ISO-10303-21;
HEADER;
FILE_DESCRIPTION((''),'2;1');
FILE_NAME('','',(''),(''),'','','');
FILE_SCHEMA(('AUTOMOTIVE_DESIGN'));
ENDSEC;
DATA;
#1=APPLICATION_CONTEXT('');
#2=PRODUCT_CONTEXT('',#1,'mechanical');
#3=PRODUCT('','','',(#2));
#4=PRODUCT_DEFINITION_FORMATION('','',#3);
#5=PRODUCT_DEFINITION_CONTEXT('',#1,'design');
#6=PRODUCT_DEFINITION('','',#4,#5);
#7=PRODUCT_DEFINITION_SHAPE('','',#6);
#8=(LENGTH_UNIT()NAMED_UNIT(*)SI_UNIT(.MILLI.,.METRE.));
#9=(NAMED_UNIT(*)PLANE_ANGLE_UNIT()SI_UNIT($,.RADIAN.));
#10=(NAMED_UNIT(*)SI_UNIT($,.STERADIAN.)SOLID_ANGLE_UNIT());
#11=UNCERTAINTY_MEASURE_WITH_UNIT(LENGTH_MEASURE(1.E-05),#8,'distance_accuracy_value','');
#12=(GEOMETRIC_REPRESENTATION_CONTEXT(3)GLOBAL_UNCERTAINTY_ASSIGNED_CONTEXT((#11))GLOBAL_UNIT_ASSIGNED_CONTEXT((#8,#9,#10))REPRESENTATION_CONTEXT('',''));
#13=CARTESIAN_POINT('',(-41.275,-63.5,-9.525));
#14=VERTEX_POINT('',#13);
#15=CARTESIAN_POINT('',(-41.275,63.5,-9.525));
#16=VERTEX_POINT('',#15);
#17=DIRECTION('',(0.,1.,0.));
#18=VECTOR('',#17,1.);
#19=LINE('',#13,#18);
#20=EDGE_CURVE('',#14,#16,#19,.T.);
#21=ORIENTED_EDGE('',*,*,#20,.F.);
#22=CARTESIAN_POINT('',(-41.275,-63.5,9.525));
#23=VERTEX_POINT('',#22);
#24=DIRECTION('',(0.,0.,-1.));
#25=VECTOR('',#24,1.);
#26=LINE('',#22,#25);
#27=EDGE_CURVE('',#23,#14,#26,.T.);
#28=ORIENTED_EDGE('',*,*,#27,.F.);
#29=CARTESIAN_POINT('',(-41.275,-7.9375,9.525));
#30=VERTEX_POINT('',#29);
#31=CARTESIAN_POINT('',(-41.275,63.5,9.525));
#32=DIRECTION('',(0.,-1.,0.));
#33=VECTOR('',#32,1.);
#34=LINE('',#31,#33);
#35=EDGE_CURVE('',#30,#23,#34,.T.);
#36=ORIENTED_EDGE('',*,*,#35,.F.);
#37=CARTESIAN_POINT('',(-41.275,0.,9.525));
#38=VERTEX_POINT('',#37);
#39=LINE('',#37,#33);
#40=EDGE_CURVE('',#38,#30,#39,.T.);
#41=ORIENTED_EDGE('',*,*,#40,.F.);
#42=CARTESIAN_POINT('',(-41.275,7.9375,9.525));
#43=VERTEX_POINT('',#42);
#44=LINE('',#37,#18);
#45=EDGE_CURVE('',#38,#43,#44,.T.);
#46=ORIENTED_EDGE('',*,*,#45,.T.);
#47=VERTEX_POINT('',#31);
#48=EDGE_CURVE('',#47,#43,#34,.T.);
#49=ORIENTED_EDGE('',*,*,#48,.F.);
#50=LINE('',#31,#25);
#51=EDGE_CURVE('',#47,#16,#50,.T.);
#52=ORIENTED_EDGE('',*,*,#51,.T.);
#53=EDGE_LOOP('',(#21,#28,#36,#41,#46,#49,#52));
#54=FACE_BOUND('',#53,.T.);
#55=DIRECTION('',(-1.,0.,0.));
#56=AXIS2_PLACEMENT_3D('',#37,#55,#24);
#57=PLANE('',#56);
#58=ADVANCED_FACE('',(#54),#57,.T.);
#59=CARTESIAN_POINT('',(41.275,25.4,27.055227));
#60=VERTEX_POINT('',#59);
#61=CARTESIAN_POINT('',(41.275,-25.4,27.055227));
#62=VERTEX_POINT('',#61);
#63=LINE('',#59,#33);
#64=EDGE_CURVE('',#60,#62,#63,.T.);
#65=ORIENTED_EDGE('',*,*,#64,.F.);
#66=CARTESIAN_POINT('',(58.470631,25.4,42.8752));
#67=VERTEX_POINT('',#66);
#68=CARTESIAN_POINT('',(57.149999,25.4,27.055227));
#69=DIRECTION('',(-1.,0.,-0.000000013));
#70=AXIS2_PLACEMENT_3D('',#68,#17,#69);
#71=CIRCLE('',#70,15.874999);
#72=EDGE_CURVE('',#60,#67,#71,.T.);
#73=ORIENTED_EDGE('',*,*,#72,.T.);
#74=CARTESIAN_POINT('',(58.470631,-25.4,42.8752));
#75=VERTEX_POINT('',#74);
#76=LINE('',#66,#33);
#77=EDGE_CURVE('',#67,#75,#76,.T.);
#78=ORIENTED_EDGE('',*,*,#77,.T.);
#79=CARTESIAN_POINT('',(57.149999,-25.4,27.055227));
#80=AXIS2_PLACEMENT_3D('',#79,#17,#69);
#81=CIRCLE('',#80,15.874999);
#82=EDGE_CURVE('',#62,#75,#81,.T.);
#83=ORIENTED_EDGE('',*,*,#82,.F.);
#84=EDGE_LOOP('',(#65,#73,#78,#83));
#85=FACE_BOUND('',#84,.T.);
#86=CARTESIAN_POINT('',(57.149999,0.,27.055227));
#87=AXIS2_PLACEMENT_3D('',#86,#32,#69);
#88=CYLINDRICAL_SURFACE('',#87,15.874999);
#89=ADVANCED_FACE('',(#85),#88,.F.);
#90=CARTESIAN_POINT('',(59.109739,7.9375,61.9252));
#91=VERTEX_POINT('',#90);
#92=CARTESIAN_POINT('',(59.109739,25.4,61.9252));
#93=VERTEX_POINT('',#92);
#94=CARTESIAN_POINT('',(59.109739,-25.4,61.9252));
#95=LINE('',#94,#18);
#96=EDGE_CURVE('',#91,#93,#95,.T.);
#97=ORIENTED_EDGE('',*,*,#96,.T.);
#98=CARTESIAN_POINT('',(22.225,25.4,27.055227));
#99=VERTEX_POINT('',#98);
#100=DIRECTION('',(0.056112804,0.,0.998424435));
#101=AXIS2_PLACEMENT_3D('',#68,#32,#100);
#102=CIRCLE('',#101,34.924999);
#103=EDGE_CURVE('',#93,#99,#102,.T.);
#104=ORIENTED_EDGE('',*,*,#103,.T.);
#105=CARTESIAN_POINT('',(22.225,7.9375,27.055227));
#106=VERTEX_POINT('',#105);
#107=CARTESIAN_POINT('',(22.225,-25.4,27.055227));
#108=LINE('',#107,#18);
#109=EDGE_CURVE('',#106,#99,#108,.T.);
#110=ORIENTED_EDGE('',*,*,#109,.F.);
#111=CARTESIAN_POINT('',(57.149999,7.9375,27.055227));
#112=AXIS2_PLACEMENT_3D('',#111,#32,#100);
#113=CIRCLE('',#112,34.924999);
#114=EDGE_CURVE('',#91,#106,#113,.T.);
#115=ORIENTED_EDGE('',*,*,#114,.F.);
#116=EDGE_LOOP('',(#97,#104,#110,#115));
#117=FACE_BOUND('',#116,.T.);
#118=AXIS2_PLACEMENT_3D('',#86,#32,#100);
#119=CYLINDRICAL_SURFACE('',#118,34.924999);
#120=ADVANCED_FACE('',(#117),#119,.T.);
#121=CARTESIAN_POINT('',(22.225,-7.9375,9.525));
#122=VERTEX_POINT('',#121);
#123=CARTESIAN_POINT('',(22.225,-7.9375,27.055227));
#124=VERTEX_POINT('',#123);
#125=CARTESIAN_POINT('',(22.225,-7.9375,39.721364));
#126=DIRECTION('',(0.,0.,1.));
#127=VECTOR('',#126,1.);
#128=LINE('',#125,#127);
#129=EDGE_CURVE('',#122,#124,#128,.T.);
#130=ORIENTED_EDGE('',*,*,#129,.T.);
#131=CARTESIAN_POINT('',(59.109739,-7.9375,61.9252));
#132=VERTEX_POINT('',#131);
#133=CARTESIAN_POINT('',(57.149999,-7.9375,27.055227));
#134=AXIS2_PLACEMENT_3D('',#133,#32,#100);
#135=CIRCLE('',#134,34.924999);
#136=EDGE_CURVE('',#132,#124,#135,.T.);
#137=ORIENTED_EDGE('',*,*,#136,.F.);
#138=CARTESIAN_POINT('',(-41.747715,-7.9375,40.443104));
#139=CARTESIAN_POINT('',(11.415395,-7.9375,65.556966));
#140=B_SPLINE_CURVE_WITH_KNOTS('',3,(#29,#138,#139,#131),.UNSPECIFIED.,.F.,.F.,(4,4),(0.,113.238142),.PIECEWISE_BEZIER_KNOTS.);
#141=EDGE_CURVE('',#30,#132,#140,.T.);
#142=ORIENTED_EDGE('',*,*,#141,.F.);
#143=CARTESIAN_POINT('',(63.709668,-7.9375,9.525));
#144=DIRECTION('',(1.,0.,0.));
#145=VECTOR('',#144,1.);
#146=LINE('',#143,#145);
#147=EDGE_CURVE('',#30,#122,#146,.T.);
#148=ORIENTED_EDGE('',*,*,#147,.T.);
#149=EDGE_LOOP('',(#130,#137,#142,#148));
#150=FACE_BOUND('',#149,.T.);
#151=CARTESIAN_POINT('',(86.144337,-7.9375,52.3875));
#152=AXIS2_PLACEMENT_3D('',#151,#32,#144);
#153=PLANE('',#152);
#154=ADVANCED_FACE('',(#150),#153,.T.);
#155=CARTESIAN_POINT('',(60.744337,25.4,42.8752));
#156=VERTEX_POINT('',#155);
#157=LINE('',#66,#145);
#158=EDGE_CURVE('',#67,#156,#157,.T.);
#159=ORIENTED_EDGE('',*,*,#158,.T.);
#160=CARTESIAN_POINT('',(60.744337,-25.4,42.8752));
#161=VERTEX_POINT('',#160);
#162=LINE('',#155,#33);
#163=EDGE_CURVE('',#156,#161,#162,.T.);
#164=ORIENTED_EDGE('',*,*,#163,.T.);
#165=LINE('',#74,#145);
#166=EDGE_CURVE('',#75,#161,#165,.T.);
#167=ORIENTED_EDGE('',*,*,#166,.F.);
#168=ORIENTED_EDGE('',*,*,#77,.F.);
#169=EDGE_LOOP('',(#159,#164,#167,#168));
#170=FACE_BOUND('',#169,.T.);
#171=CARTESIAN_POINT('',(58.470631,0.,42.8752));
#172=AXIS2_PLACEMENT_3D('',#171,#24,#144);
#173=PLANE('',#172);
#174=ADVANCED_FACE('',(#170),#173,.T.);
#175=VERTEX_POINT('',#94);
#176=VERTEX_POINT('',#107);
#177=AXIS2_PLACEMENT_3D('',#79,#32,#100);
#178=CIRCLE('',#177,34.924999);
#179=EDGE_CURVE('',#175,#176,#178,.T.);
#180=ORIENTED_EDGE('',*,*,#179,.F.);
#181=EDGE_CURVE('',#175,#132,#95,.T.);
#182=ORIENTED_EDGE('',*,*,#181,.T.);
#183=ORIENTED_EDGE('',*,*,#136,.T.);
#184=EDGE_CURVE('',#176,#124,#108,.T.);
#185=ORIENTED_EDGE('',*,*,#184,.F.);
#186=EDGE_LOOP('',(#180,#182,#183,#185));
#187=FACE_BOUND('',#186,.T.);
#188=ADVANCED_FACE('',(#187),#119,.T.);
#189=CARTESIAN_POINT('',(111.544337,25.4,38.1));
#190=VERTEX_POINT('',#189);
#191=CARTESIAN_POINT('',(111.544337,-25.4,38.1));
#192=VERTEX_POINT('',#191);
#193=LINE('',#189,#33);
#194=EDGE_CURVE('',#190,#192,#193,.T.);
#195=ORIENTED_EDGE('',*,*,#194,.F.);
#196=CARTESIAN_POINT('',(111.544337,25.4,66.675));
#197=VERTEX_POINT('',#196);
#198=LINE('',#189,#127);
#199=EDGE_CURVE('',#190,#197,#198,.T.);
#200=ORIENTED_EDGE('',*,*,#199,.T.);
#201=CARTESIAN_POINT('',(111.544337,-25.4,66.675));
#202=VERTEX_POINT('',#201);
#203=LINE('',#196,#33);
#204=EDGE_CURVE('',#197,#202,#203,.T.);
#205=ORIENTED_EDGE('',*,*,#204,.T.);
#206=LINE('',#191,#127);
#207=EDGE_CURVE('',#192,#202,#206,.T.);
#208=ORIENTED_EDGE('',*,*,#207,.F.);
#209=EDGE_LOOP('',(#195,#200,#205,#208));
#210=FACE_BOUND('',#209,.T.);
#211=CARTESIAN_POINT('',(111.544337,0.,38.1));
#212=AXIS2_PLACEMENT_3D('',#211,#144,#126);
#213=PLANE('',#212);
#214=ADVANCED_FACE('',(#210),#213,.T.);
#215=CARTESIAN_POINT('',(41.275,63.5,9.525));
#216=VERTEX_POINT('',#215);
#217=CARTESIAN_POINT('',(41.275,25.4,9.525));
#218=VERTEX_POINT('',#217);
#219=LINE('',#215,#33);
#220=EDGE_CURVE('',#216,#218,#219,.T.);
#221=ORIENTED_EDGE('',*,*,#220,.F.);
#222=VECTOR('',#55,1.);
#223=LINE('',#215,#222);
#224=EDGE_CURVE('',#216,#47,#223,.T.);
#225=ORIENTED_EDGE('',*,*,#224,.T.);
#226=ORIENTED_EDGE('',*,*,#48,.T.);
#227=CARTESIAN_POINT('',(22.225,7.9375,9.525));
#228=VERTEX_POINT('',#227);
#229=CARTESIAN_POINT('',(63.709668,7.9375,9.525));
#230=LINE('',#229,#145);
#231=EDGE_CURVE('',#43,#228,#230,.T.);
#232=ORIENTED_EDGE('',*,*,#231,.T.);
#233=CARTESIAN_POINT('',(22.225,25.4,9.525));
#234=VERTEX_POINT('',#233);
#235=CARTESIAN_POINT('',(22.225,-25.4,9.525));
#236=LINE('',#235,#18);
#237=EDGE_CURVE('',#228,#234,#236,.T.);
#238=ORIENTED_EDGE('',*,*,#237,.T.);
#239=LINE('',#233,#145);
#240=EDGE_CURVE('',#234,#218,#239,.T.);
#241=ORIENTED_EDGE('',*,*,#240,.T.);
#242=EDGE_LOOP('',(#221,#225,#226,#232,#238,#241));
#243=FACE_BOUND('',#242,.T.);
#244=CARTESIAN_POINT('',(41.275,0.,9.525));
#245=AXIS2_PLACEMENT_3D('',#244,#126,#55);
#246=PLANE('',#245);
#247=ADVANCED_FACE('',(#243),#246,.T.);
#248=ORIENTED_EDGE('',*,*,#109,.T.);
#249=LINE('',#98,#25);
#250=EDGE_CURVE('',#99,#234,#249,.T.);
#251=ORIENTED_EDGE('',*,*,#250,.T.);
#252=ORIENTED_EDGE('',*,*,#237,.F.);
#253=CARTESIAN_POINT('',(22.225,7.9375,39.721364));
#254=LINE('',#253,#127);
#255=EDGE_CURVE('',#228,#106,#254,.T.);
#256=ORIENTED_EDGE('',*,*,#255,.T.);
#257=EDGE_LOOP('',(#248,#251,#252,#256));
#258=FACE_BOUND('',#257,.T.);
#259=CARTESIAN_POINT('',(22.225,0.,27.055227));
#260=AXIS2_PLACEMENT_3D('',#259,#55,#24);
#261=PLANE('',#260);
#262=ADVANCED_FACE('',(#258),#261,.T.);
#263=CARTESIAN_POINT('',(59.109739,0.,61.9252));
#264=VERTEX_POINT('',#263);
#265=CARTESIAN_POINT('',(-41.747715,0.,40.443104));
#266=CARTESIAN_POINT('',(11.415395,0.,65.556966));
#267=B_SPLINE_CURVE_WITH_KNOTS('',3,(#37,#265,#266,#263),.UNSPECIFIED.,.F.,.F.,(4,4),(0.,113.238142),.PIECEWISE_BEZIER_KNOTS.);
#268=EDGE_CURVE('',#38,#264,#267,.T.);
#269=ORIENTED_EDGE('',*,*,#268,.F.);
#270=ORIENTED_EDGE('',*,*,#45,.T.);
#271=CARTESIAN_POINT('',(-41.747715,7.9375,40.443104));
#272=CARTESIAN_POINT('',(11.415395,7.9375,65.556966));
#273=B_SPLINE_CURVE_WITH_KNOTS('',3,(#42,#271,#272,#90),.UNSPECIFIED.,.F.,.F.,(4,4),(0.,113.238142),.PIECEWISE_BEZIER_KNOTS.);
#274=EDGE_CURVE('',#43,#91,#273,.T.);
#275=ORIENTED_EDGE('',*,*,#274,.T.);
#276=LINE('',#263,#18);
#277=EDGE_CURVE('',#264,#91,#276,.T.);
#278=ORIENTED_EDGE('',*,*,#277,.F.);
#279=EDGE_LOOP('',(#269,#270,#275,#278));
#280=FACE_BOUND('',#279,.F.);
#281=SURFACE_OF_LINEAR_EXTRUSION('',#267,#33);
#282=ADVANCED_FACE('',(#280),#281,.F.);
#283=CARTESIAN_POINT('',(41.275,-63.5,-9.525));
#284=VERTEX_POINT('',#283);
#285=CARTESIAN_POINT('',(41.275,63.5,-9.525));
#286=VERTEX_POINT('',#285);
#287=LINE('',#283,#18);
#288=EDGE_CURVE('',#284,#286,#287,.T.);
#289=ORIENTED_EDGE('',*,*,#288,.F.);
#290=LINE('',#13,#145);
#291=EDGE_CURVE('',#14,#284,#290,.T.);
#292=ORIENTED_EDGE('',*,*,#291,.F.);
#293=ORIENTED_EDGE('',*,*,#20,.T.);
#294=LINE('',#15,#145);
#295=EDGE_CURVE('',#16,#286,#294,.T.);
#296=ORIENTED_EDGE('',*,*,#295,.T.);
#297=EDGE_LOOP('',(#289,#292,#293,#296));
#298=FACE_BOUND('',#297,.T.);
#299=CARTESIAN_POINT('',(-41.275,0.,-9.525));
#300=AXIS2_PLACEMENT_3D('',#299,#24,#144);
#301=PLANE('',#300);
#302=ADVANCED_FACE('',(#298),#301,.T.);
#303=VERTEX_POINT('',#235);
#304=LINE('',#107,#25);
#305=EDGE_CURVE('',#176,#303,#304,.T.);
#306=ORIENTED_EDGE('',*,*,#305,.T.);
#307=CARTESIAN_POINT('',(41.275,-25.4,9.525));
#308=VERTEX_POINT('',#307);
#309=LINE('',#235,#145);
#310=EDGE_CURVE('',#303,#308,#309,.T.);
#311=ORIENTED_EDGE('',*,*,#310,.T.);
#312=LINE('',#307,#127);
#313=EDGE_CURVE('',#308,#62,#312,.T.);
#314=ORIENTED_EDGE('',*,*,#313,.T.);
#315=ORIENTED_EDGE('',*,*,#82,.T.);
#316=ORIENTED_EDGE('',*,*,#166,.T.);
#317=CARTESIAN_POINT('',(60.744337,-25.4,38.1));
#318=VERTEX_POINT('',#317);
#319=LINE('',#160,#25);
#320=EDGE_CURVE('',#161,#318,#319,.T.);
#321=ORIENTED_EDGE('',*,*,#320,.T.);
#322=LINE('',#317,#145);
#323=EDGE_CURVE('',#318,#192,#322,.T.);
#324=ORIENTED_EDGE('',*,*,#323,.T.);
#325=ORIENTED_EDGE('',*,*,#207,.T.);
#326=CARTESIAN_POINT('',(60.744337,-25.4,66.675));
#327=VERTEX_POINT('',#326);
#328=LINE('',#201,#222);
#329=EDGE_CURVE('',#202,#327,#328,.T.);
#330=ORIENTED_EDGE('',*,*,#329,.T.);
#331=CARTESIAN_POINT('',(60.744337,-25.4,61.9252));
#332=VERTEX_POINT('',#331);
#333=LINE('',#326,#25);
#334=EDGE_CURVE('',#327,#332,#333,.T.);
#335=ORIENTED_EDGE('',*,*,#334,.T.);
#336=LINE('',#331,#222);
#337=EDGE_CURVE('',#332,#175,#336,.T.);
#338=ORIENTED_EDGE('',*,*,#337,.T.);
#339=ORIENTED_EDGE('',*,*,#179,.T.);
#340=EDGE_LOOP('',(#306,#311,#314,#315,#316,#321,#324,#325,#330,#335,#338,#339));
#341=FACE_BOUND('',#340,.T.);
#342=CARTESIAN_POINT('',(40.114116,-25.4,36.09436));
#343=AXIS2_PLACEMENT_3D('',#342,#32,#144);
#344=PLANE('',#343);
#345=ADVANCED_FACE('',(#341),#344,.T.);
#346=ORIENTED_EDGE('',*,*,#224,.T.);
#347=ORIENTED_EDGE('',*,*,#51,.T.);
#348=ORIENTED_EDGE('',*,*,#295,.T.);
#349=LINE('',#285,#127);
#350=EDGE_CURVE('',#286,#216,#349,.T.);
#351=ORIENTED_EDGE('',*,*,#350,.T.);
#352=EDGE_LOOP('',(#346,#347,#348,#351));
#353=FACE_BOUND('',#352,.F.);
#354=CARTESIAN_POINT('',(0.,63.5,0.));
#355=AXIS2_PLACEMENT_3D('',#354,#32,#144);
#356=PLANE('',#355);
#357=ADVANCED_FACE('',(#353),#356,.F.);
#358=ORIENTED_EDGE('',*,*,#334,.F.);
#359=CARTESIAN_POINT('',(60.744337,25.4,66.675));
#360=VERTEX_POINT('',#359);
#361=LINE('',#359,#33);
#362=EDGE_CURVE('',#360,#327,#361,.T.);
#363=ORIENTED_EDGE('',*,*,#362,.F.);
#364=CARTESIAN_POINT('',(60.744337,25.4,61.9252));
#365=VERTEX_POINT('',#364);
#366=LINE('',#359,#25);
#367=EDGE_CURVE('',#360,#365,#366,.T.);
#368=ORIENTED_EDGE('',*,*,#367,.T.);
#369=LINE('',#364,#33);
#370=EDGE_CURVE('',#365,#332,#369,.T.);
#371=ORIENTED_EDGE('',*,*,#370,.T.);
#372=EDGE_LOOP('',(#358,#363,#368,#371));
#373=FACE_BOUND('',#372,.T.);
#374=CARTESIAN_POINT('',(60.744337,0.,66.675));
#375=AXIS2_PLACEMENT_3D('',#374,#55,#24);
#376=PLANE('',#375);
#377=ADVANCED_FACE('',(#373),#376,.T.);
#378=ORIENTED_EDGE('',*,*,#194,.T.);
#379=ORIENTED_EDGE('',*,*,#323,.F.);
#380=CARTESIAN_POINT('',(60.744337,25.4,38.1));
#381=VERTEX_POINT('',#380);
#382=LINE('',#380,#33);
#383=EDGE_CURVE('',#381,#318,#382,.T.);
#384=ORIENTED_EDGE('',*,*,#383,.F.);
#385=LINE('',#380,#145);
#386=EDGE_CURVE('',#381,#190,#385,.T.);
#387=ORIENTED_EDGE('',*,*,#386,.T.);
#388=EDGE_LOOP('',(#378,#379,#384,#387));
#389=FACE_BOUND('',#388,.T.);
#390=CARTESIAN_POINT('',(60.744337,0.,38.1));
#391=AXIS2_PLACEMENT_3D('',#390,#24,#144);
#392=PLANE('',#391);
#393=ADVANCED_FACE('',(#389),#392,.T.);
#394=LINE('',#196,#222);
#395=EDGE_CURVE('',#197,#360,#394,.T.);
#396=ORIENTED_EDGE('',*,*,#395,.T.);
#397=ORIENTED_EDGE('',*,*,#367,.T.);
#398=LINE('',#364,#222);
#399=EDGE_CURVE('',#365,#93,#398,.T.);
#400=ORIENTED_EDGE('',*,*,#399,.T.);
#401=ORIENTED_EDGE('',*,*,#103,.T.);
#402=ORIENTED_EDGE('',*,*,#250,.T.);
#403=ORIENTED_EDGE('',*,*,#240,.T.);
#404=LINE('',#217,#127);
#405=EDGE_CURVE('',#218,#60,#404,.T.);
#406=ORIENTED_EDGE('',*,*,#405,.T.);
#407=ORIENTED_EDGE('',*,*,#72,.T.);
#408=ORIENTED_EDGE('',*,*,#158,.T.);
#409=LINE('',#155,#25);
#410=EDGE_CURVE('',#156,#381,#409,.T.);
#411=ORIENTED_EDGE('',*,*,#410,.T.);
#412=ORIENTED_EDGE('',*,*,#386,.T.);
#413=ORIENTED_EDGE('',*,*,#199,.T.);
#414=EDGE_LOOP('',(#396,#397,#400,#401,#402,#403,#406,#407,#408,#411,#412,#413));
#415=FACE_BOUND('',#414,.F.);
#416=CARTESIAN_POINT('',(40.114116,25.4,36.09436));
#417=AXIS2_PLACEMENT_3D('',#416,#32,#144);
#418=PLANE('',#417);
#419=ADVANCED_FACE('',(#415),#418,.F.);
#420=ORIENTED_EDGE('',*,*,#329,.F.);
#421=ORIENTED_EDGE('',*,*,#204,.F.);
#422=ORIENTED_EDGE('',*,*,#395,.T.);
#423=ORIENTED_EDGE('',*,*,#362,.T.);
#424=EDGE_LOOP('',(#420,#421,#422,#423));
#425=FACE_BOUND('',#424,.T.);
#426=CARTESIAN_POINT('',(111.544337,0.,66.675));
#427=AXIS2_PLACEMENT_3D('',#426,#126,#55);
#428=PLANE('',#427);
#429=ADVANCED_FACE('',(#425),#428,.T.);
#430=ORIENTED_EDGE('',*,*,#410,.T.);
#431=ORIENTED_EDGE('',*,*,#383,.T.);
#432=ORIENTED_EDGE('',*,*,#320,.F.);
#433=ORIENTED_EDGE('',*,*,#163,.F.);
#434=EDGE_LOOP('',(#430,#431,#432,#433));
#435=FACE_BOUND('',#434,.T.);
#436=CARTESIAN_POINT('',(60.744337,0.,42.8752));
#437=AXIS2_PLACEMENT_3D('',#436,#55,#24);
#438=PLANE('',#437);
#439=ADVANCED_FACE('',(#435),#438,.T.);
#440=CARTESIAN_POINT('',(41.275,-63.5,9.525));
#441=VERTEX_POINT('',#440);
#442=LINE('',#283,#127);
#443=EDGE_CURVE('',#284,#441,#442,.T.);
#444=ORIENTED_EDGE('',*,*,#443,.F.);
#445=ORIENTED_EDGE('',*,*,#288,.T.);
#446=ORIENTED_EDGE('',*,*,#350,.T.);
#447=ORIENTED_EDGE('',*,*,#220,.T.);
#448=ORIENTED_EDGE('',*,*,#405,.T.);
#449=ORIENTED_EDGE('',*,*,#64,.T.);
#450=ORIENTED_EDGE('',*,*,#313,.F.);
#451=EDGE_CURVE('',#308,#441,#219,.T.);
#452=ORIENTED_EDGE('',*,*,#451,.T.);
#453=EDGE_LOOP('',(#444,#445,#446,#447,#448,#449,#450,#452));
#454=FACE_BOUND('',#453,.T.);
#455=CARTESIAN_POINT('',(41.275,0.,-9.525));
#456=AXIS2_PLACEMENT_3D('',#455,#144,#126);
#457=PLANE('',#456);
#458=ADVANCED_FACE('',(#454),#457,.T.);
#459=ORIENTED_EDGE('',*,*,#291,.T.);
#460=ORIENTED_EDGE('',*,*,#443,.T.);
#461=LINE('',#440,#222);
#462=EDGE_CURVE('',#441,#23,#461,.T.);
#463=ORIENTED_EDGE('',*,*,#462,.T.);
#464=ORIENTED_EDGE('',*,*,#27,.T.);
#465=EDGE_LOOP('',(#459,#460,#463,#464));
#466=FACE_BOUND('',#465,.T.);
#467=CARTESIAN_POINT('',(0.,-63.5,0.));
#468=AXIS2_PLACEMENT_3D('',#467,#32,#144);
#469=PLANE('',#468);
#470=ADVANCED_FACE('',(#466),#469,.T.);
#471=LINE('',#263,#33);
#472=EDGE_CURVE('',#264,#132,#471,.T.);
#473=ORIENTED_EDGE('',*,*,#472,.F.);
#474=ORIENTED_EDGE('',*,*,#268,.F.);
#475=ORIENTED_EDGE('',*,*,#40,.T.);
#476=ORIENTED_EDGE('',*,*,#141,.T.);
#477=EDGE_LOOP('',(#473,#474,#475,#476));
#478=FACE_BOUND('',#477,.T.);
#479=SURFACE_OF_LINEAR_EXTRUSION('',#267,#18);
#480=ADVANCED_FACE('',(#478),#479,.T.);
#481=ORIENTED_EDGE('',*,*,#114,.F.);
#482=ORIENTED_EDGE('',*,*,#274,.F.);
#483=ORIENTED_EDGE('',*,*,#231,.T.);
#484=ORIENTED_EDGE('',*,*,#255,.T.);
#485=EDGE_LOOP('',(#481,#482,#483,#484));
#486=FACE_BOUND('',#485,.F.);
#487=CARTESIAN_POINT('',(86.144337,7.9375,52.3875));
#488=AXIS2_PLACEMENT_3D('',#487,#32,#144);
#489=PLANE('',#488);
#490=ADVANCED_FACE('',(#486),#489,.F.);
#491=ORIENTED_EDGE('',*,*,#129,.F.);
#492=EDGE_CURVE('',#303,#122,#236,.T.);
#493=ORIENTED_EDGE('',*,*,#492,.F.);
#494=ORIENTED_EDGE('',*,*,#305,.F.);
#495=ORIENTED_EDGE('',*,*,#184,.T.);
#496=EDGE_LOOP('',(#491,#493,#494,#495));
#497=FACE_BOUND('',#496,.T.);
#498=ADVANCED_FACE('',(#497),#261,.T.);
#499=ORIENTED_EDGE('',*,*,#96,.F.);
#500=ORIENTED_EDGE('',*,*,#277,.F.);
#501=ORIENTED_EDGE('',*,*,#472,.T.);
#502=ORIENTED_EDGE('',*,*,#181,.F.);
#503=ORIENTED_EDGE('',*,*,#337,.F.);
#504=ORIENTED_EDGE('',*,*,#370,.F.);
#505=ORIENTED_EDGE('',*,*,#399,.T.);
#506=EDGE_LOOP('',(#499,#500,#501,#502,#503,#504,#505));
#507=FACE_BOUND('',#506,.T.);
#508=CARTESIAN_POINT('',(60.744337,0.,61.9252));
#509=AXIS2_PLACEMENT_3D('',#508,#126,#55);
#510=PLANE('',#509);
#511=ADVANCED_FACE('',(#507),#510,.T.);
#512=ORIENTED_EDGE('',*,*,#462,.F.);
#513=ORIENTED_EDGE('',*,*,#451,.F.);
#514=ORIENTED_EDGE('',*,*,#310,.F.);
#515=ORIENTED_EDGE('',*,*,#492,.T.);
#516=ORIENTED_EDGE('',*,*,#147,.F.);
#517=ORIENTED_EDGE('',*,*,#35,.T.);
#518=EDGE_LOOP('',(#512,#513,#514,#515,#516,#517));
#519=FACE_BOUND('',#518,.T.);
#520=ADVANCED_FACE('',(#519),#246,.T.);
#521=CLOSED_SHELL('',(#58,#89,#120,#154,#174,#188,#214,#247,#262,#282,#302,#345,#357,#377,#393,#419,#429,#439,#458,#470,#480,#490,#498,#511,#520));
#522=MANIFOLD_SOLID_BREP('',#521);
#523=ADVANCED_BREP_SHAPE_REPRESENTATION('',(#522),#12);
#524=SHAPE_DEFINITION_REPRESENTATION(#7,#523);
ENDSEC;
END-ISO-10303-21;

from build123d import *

# Parameters (mm, degrees)
F1_DEPTH = 63.5
F2_DEPTH = 25.4
F3_DEPTH = 7.9375


with BuildPart() as f1:
    # F0 (on Front) → F1 (new body, symmetric)
    with BuildSketch(Plane.XZ):
        Polygon((41.275, -9.525), (41.275, 9.525), (22.225, 9.525), (-41.275, 9.525), (-41.275, -9.525), align=None)
    extrude(amount=F1_DEPTH, both=True)

    # F0 (on Front) → F2 (join, symmetric)
    with BuildSketch(Plane.XZ):
        with BuildLine():
            Line((22.225, 9.525), (41.275, 9.525))
            Line((41.275, 9.525), (41.275, 27.055227))
            ThreePointArc((41.275, 27.055227), (46.40173, 38.738134), (58.470631, 42.8752))
            Line((58.470631, 42.8752), (60.744337, 42.8752))
            Line((60.744337, 42.8752), (60.744337, 61.9252))
            Line((60.744337, 61.9252), (59.109739, 61.9252))
            ThreePointArc((59.109739, 61.9252), (33.15717, 52.434347), (22.225, 27.055227))
            Line((22.225, 27.055227), (22.225, 9.525))
        make_face()
        Polygon((60.744337, 61.9252), (60.744337, 42.8752), (60.744337, 38.1), (111.544337, 38.1), (111.544337, 66.675), (60.744337, 66.675), align=None)
    extrude(amount=F2_DEPTH, both=True)

    # F0 (on Front) → F3 (join, symmetric)
    with BuildSketch(Plane.XZ):
        Polygon((60.744337, 61.9252), (60.744337, 42.8752), (60.744337, 38.1), (111.544337, 38.1), (111.544337, 66.675), (60.744337, 66.675), align=None)
        Polygon((41.275, -9.525), (41.275, 9.525), (22.225, 9.525), (-41.275, 9.525), (-41.275, -9.525), align=None)
        with BuildLine():
            Line((22.225, 9.525), (41.275, 9.525))
            Line((41.275, 9.525), (41.275, 27.055227))
            ThreePointArc((41.275, 27.055227), (46.40173, 38.738134), (58.470631, 42.8752))
            Line((58.470631, 42.8752), (60.744337, 42.8752))
            Line((60.744337, 42.8752), (60.744337, 61.9252))
            Line((60.744337, 61.9252), (59.109739, 61.9252))
            ThreePointArc((59.109739, 61.9252), (33.15717, 52.434347), (22.225, 27.055227))
            Line((22.225, 27.055227), (22.225, 9.525))
        make_face()
        with BuildLine():
            Line((-41.275, 9.525), (22.225, 9.525))
            Line((22.225, 9.525), (22.225, 27.055227))
            ThreePointArc((22.225, 27.055227), (33.15717, 52.434347), (59.109739, 61.9252))
            add(Edge.make_bspline(
                [(-41.275, 9.525), (-41.747715, 40.443104), (11.415395, 65.556966), (59.109739, 61.9252)],
                knots=[0, 0, 0, 0, 113.238142, 113.238142, 113.238142, 113.238142], degree=3))
        make_face()
    extrude(amount=F3_DEPTH, both=True)


solid = f1.part
